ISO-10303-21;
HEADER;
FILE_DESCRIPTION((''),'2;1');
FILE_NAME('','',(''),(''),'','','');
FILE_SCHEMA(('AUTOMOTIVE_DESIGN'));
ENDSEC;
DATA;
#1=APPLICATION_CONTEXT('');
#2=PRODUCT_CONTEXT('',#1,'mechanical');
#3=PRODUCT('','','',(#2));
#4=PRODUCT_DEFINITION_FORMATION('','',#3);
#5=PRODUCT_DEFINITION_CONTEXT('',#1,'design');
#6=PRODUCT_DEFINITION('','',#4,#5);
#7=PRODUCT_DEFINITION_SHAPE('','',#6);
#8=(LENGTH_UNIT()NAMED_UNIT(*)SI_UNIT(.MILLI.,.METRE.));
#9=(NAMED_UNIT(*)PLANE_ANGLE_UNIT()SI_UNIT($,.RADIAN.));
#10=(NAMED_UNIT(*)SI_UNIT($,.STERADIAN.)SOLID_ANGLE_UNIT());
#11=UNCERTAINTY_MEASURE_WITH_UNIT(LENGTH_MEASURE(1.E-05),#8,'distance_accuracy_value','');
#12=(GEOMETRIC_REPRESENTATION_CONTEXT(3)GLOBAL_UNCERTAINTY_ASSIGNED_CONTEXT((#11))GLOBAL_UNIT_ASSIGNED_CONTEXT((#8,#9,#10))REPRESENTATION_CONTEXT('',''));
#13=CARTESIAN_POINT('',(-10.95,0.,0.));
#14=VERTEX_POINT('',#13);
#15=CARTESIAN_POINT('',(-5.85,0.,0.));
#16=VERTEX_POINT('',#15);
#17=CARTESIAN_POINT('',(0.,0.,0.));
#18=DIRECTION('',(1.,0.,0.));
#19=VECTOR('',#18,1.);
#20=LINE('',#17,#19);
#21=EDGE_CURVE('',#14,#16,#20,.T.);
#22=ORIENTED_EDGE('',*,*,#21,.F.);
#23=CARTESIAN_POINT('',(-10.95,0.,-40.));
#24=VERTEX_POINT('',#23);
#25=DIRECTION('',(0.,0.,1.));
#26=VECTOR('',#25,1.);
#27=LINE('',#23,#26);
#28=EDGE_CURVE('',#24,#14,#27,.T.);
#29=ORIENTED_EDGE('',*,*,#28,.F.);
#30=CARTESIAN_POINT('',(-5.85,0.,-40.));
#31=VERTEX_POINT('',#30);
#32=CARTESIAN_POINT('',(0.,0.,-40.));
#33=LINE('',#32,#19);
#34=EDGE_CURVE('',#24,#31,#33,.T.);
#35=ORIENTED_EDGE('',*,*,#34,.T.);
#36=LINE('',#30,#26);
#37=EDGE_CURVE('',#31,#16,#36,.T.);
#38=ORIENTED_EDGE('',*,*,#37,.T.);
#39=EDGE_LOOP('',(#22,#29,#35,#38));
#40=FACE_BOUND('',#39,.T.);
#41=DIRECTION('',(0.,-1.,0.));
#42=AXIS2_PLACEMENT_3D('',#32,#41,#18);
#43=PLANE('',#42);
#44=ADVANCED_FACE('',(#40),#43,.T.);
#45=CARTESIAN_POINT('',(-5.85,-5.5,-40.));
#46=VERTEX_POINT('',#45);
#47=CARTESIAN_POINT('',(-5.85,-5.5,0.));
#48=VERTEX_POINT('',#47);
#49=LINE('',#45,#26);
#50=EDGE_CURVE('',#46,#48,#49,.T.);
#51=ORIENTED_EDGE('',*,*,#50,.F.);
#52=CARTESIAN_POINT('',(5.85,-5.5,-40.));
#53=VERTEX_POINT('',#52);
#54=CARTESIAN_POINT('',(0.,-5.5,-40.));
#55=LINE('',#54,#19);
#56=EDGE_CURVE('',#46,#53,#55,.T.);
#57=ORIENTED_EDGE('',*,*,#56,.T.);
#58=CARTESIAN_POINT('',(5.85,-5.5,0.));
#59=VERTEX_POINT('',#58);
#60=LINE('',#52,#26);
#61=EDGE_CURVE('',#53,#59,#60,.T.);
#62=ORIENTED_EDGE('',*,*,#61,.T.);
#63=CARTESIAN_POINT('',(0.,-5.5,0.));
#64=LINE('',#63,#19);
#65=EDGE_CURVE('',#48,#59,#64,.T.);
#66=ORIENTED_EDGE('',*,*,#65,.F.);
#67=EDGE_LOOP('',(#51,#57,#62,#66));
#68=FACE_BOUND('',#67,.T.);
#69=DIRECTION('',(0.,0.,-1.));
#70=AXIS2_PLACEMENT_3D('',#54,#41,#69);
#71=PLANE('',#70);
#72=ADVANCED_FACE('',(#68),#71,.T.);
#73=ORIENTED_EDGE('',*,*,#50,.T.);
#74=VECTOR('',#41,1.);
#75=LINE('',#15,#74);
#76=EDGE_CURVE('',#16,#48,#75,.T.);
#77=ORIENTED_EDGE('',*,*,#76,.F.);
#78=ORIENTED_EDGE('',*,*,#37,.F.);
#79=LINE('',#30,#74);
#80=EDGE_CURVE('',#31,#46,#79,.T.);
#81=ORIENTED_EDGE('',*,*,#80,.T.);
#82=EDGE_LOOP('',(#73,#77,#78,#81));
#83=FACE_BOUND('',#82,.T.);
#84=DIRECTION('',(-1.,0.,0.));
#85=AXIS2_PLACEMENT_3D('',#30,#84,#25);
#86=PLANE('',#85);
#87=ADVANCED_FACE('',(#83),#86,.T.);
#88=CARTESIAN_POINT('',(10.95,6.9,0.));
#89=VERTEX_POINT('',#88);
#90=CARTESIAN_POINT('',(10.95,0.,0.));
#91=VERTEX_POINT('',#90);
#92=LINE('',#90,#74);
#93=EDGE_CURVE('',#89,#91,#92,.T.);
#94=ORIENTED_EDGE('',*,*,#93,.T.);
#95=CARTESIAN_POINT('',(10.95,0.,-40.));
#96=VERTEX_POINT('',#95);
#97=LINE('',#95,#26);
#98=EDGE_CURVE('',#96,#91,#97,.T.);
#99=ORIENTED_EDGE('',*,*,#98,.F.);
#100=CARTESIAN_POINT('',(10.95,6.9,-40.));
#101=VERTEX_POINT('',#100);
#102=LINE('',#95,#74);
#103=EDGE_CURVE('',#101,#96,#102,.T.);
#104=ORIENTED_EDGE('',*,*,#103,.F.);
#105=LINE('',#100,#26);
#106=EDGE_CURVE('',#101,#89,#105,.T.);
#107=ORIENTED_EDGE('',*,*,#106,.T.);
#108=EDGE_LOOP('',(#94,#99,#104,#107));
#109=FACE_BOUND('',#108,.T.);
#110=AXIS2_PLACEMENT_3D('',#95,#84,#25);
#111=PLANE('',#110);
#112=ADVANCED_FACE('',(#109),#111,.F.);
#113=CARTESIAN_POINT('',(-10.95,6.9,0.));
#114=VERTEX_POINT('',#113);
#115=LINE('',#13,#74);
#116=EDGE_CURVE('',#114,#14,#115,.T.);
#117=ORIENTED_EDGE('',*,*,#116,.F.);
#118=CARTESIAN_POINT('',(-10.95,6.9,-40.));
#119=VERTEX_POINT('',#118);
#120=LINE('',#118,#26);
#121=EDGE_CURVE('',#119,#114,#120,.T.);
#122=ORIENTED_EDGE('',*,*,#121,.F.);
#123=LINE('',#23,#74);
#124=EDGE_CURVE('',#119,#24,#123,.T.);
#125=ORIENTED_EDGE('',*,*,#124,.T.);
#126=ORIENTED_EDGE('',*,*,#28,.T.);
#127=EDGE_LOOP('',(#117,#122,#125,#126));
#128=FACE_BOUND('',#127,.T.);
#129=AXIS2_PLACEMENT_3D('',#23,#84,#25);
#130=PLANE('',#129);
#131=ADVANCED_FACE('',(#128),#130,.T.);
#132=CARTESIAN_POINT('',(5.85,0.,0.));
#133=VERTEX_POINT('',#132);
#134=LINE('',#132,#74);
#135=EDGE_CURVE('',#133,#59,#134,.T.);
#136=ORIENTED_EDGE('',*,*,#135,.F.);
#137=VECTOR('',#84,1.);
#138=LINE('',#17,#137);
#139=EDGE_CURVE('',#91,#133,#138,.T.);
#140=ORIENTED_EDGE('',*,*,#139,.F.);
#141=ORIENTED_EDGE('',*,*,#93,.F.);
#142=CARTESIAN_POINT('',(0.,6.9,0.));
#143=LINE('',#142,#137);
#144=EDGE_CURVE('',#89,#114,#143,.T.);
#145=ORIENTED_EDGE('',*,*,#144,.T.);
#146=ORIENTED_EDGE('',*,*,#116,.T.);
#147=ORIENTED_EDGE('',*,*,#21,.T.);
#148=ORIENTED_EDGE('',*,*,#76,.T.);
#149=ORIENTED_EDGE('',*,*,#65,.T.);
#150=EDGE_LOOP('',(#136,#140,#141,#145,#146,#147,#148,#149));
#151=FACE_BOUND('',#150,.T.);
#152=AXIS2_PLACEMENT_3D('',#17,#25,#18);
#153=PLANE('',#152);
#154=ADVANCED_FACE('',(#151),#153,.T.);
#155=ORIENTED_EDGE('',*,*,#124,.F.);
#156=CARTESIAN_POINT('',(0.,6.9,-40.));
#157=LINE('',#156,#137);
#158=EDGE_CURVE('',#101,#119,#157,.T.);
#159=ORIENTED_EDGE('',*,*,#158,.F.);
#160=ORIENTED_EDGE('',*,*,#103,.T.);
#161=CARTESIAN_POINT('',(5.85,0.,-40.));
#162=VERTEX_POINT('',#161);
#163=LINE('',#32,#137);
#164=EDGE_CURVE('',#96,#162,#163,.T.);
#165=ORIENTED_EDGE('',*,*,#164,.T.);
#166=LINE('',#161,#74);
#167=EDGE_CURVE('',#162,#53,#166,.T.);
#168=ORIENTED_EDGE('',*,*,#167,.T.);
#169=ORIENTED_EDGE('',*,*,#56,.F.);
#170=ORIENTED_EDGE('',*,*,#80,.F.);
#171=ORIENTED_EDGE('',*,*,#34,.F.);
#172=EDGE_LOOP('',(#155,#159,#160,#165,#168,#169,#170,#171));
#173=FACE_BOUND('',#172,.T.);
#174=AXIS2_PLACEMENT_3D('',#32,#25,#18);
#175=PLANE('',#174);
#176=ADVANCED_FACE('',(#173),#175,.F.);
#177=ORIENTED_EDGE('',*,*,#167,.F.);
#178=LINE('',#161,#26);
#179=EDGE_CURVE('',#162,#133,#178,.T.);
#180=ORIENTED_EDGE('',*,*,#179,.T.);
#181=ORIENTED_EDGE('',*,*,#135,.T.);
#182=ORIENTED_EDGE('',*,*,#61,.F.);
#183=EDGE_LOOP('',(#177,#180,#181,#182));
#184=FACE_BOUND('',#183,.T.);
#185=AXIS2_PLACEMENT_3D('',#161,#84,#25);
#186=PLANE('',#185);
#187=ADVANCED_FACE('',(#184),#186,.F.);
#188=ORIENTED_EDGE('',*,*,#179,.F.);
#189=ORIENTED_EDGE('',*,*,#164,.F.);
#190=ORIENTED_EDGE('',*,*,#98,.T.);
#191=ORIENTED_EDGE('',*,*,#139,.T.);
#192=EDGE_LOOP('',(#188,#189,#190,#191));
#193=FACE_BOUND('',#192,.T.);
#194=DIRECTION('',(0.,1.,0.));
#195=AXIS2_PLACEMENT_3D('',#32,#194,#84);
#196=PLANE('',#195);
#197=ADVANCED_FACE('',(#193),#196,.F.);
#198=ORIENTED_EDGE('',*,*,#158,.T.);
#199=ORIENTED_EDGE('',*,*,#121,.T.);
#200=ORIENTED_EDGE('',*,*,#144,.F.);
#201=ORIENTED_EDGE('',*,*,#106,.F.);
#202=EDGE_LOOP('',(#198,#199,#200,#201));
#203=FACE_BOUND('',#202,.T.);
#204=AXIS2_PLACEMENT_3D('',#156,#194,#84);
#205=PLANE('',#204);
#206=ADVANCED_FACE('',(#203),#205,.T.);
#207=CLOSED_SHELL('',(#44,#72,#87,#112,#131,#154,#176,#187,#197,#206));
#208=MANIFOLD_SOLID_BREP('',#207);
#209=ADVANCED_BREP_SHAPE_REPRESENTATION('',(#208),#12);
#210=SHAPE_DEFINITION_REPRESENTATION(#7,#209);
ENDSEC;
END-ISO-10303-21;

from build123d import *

# Parameters (mm, degrees)
BOSS_EXTRUDE1_DEPTH = 40


with BuildPart() as part:
    # Sketch1 → Boss-Extrude1 (new body)
    with BuildSketch(Plane.XY):
        Polygon((5.85, 0), (5.85, -5.5), (-5.85, -5.5), (-5.85, 0), (-10.95, 0), (-10.95, 6.9), (10.95, 6.9), (10.95, 0), align=None)
    extrude(amount=-BOSS_EXTRUDE1_DEPTH)


solid = part.part
